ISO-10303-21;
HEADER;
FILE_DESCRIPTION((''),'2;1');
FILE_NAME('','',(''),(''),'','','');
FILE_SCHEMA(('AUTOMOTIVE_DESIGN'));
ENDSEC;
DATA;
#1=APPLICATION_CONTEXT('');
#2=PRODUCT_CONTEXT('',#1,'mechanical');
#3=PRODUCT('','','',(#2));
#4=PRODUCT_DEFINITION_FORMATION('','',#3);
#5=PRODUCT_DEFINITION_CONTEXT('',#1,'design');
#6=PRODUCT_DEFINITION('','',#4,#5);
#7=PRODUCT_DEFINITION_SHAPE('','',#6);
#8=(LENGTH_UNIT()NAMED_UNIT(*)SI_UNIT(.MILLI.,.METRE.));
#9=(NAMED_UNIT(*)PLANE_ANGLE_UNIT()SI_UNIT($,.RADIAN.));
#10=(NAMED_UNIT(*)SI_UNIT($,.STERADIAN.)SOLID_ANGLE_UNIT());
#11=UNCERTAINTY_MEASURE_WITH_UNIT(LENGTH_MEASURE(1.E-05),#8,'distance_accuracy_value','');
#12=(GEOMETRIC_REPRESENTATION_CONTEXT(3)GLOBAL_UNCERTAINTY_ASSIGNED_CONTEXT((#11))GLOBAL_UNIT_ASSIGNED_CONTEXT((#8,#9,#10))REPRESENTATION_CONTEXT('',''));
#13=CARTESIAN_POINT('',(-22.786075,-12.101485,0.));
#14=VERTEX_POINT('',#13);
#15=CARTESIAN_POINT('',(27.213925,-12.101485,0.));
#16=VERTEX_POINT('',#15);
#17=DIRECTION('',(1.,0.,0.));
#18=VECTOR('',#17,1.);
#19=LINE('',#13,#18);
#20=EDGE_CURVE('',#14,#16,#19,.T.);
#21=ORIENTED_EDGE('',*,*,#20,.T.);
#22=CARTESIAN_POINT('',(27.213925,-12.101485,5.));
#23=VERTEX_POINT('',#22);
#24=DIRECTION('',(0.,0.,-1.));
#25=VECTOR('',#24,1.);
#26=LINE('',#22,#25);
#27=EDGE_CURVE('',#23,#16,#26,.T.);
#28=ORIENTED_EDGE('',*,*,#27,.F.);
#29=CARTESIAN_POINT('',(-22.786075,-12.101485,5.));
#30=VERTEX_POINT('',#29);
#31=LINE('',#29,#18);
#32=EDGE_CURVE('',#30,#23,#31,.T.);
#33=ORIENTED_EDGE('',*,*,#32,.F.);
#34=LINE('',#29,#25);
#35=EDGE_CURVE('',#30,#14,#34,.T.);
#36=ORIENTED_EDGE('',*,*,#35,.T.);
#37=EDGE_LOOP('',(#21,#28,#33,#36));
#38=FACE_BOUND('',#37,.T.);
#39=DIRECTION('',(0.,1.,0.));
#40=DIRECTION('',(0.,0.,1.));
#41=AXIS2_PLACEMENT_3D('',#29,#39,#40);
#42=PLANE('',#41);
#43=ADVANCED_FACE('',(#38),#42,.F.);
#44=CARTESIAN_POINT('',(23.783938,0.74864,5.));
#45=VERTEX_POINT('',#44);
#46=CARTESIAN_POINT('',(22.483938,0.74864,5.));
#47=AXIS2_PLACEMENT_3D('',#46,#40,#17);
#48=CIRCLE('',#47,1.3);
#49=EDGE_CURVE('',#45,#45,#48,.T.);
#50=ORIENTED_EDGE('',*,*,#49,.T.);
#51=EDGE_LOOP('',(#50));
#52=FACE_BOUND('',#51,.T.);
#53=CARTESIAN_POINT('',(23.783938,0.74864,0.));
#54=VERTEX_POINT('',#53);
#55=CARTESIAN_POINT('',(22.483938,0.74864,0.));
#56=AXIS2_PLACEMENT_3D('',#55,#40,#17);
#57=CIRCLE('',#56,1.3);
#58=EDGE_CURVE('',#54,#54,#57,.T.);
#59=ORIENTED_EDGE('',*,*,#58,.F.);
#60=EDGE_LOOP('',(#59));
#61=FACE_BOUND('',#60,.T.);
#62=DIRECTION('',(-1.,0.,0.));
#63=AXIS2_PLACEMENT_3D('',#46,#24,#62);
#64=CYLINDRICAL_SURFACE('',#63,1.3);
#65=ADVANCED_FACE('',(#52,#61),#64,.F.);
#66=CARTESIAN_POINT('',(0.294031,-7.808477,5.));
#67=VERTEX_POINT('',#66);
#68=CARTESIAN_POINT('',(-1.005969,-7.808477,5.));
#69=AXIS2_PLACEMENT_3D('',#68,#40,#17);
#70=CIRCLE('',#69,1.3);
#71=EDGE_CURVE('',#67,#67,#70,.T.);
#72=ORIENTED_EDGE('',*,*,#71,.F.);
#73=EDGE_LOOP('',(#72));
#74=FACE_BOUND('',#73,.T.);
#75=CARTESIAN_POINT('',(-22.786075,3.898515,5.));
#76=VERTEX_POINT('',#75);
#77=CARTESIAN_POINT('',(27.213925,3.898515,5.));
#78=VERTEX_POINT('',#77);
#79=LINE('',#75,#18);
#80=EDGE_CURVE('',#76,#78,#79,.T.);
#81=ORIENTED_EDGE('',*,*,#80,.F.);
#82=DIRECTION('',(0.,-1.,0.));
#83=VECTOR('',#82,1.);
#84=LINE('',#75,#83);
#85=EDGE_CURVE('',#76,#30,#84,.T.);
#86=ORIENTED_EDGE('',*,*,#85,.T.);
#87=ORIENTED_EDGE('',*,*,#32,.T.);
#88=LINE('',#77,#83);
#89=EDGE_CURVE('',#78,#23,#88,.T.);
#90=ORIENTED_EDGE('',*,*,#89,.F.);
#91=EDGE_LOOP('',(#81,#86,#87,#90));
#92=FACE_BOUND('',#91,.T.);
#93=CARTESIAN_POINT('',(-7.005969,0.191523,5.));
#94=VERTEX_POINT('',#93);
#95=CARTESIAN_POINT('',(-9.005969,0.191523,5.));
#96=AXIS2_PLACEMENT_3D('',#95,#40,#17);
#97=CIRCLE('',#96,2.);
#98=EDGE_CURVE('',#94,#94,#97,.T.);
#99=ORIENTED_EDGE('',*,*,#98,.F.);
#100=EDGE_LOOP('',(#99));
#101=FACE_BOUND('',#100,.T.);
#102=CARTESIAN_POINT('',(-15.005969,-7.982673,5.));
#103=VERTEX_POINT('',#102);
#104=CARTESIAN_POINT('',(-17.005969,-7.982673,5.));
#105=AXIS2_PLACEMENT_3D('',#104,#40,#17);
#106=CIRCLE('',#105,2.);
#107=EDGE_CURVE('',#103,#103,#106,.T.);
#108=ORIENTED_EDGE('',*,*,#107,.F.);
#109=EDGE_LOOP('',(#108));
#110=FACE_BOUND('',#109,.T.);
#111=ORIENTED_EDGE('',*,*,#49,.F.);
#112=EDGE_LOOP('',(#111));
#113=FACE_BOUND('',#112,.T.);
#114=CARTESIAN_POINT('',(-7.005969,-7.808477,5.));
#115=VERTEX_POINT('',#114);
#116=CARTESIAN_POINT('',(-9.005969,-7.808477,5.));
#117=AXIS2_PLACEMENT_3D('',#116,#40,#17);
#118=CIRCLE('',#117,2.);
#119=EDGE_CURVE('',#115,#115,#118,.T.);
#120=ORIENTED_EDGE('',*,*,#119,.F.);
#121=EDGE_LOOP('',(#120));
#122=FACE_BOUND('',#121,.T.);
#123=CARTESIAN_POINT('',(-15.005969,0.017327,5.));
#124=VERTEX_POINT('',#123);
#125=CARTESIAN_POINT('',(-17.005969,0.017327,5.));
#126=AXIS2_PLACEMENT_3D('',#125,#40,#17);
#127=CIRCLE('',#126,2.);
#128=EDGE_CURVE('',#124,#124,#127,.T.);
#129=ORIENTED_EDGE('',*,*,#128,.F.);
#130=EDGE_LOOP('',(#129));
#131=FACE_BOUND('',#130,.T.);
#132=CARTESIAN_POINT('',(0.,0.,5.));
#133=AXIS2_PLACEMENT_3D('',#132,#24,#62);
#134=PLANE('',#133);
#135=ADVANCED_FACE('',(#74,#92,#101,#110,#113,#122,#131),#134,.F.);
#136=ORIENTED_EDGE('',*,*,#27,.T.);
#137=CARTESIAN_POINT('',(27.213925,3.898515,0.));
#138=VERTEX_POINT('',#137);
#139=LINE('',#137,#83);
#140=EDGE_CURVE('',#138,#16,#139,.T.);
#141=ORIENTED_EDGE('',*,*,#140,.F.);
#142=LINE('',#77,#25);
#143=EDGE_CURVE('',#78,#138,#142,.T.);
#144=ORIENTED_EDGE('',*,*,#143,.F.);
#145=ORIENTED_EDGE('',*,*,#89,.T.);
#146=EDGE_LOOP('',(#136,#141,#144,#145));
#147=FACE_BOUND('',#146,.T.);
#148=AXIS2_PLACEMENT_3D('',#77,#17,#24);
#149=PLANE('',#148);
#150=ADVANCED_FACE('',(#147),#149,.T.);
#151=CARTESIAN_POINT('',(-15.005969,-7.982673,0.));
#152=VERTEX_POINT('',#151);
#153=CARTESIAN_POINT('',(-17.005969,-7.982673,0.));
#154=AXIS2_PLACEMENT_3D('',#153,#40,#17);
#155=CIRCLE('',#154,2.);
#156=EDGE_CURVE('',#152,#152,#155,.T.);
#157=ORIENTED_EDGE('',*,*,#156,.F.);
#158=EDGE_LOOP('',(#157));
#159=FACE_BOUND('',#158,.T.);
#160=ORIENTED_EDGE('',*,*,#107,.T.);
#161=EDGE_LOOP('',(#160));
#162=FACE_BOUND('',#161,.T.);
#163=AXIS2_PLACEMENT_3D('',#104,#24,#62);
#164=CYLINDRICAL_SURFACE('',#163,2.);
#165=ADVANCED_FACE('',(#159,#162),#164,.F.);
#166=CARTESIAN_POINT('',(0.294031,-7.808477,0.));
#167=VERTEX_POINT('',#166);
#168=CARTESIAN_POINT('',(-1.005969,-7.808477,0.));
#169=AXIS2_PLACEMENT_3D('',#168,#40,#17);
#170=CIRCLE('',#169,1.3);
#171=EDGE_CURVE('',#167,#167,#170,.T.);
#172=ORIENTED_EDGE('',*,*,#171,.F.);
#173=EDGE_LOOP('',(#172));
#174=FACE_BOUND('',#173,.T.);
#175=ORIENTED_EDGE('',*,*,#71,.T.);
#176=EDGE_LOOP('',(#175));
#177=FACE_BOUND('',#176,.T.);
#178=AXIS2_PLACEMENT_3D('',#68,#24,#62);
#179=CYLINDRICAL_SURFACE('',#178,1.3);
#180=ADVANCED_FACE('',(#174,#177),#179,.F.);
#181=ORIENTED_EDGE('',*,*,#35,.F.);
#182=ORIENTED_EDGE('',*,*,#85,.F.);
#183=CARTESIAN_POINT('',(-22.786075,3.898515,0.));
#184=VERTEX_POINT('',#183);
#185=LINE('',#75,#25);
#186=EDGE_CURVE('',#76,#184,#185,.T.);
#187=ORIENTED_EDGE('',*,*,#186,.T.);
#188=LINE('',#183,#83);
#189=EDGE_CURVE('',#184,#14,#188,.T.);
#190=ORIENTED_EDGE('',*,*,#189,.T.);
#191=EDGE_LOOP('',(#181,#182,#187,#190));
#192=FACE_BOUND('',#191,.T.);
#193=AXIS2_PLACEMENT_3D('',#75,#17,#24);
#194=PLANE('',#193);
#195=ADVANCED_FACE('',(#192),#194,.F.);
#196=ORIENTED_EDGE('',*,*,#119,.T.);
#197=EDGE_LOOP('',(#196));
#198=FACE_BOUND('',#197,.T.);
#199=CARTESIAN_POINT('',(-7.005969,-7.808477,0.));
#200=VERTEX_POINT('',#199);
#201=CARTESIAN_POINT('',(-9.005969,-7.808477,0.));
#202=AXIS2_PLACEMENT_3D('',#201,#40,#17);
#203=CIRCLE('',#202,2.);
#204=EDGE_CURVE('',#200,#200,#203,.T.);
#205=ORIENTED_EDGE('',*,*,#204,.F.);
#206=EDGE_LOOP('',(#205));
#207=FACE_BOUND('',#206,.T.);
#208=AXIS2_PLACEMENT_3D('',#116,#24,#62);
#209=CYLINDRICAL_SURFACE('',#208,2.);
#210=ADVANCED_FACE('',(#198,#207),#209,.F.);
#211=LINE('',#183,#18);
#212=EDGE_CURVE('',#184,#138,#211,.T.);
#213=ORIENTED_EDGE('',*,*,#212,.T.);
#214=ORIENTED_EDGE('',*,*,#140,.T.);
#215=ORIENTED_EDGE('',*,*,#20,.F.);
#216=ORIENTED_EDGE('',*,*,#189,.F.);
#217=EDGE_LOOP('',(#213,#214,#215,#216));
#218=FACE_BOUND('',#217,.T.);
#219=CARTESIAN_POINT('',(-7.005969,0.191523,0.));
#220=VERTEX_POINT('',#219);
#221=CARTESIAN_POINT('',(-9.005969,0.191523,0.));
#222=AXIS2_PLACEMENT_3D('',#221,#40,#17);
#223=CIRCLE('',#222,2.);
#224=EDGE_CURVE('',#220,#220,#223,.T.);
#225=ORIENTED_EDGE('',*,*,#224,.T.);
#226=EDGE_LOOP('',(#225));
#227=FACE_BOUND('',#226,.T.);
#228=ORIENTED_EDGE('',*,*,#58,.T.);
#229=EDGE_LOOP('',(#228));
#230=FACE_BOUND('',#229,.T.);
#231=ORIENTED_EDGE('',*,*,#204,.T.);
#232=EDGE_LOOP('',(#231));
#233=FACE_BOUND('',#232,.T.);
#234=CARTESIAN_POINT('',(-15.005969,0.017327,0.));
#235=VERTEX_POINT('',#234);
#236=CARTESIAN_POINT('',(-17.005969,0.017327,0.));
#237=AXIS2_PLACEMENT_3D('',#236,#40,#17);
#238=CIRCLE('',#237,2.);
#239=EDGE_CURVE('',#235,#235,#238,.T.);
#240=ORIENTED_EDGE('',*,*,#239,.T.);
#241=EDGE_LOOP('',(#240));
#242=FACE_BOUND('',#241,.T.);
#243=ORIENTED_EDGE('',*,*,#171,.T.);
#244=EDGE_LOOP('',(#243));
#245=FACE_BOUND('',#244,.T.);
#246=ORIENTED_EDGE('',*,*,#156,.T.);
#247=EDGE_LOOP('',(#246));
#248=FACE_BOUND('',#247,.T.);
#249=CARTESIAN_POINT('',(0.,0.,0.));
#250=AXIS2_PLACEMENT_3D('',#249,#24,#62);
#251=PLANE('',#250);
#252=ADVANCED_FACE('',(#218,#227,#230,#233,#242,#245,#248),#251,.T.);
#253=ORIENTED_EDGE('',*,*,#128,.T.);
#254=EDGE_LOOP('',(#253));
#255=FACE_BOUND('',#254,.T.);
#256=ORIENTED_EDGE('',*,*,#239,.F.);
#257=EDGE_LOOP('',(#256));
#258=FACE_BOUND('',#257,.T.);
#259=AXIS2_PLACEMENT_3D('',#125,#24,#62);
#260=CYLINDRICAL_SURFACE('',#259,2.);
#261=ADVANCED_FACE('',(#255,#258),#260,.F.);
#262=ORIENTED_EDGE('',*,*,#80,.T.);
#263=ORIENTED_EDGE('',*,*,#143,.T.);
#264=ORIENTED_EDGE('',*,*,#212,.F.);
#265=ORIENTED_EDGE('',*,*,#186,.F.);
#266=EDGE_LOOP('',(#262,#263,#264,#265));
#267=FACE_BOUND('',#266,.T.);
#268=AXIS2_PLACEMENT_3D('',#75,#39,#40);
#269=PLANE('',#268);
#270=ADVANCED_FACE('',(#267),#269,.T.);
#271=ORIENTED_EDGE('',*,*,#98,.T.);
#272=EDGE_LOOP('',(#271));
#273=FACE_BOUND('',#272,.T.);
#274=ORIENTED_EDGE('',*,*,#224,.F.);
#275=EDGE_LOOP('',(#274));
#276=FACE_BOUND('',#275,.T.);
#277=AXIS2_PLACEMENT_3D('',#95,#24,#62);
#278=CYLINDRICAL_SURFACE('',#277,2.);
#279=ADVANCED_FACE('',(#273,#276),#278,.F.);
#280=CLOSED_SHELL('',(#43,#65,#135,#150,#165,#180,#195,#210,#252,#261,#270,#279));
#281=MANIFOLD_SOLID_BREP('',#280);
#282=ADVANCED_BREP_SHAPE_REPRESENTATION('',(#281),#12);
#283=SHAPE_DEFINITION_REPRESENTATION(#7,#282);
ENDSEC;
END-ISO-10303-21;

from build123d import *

# Parameters (mm, degrees)
SKETCH_1_W      = 50
SKETCH_1_H      = 16
SKETCH_1_R      = 2
SKETCH_1_R_2    = 1.3
EXTRUDE_1_DEPTH = 5


with BuildPart() as part:
    # 草圖1 → 填料-伸長1 (new body)
    with BuildSketch(Plane.XY):
        with Locations((2.21392494, -4.101485149)):
            Rectangle(SKETCH_1_W, SKETCH_1_H)
        with Locations((-17.00596919, 0.017326733)):
            Circle(SKETCH_1_R, mode=Mode.SUBTRACT)
        with Locations((-17.00596919, -7.982673267)):
            Circle(SKETCH_1_R, mode=Mode.SUBTRACT)
        with Locations((-9.00596919, 0.191523267)):
            Circle(SKETCH_1_R, mode=Mode.SUBTRACT)
        with Locations((-9.00596919, -7.808476733)):
            Circle(SKETCH_1_R, mode=Mode.SUBTRACT)
        with Locations((-1.00596919, -7.808476733)):
            Circle(SKETCH_1_R_2, mode=Mode.SUBTRACT)
        with Locations((22.483938345, 0.748639837)):
            Circle(SKETCH_1_R_2, mode=Mode.SUBTRACT)
    extrude(amount=EXTRUDE_1_DEPTH)


solid = part.part
